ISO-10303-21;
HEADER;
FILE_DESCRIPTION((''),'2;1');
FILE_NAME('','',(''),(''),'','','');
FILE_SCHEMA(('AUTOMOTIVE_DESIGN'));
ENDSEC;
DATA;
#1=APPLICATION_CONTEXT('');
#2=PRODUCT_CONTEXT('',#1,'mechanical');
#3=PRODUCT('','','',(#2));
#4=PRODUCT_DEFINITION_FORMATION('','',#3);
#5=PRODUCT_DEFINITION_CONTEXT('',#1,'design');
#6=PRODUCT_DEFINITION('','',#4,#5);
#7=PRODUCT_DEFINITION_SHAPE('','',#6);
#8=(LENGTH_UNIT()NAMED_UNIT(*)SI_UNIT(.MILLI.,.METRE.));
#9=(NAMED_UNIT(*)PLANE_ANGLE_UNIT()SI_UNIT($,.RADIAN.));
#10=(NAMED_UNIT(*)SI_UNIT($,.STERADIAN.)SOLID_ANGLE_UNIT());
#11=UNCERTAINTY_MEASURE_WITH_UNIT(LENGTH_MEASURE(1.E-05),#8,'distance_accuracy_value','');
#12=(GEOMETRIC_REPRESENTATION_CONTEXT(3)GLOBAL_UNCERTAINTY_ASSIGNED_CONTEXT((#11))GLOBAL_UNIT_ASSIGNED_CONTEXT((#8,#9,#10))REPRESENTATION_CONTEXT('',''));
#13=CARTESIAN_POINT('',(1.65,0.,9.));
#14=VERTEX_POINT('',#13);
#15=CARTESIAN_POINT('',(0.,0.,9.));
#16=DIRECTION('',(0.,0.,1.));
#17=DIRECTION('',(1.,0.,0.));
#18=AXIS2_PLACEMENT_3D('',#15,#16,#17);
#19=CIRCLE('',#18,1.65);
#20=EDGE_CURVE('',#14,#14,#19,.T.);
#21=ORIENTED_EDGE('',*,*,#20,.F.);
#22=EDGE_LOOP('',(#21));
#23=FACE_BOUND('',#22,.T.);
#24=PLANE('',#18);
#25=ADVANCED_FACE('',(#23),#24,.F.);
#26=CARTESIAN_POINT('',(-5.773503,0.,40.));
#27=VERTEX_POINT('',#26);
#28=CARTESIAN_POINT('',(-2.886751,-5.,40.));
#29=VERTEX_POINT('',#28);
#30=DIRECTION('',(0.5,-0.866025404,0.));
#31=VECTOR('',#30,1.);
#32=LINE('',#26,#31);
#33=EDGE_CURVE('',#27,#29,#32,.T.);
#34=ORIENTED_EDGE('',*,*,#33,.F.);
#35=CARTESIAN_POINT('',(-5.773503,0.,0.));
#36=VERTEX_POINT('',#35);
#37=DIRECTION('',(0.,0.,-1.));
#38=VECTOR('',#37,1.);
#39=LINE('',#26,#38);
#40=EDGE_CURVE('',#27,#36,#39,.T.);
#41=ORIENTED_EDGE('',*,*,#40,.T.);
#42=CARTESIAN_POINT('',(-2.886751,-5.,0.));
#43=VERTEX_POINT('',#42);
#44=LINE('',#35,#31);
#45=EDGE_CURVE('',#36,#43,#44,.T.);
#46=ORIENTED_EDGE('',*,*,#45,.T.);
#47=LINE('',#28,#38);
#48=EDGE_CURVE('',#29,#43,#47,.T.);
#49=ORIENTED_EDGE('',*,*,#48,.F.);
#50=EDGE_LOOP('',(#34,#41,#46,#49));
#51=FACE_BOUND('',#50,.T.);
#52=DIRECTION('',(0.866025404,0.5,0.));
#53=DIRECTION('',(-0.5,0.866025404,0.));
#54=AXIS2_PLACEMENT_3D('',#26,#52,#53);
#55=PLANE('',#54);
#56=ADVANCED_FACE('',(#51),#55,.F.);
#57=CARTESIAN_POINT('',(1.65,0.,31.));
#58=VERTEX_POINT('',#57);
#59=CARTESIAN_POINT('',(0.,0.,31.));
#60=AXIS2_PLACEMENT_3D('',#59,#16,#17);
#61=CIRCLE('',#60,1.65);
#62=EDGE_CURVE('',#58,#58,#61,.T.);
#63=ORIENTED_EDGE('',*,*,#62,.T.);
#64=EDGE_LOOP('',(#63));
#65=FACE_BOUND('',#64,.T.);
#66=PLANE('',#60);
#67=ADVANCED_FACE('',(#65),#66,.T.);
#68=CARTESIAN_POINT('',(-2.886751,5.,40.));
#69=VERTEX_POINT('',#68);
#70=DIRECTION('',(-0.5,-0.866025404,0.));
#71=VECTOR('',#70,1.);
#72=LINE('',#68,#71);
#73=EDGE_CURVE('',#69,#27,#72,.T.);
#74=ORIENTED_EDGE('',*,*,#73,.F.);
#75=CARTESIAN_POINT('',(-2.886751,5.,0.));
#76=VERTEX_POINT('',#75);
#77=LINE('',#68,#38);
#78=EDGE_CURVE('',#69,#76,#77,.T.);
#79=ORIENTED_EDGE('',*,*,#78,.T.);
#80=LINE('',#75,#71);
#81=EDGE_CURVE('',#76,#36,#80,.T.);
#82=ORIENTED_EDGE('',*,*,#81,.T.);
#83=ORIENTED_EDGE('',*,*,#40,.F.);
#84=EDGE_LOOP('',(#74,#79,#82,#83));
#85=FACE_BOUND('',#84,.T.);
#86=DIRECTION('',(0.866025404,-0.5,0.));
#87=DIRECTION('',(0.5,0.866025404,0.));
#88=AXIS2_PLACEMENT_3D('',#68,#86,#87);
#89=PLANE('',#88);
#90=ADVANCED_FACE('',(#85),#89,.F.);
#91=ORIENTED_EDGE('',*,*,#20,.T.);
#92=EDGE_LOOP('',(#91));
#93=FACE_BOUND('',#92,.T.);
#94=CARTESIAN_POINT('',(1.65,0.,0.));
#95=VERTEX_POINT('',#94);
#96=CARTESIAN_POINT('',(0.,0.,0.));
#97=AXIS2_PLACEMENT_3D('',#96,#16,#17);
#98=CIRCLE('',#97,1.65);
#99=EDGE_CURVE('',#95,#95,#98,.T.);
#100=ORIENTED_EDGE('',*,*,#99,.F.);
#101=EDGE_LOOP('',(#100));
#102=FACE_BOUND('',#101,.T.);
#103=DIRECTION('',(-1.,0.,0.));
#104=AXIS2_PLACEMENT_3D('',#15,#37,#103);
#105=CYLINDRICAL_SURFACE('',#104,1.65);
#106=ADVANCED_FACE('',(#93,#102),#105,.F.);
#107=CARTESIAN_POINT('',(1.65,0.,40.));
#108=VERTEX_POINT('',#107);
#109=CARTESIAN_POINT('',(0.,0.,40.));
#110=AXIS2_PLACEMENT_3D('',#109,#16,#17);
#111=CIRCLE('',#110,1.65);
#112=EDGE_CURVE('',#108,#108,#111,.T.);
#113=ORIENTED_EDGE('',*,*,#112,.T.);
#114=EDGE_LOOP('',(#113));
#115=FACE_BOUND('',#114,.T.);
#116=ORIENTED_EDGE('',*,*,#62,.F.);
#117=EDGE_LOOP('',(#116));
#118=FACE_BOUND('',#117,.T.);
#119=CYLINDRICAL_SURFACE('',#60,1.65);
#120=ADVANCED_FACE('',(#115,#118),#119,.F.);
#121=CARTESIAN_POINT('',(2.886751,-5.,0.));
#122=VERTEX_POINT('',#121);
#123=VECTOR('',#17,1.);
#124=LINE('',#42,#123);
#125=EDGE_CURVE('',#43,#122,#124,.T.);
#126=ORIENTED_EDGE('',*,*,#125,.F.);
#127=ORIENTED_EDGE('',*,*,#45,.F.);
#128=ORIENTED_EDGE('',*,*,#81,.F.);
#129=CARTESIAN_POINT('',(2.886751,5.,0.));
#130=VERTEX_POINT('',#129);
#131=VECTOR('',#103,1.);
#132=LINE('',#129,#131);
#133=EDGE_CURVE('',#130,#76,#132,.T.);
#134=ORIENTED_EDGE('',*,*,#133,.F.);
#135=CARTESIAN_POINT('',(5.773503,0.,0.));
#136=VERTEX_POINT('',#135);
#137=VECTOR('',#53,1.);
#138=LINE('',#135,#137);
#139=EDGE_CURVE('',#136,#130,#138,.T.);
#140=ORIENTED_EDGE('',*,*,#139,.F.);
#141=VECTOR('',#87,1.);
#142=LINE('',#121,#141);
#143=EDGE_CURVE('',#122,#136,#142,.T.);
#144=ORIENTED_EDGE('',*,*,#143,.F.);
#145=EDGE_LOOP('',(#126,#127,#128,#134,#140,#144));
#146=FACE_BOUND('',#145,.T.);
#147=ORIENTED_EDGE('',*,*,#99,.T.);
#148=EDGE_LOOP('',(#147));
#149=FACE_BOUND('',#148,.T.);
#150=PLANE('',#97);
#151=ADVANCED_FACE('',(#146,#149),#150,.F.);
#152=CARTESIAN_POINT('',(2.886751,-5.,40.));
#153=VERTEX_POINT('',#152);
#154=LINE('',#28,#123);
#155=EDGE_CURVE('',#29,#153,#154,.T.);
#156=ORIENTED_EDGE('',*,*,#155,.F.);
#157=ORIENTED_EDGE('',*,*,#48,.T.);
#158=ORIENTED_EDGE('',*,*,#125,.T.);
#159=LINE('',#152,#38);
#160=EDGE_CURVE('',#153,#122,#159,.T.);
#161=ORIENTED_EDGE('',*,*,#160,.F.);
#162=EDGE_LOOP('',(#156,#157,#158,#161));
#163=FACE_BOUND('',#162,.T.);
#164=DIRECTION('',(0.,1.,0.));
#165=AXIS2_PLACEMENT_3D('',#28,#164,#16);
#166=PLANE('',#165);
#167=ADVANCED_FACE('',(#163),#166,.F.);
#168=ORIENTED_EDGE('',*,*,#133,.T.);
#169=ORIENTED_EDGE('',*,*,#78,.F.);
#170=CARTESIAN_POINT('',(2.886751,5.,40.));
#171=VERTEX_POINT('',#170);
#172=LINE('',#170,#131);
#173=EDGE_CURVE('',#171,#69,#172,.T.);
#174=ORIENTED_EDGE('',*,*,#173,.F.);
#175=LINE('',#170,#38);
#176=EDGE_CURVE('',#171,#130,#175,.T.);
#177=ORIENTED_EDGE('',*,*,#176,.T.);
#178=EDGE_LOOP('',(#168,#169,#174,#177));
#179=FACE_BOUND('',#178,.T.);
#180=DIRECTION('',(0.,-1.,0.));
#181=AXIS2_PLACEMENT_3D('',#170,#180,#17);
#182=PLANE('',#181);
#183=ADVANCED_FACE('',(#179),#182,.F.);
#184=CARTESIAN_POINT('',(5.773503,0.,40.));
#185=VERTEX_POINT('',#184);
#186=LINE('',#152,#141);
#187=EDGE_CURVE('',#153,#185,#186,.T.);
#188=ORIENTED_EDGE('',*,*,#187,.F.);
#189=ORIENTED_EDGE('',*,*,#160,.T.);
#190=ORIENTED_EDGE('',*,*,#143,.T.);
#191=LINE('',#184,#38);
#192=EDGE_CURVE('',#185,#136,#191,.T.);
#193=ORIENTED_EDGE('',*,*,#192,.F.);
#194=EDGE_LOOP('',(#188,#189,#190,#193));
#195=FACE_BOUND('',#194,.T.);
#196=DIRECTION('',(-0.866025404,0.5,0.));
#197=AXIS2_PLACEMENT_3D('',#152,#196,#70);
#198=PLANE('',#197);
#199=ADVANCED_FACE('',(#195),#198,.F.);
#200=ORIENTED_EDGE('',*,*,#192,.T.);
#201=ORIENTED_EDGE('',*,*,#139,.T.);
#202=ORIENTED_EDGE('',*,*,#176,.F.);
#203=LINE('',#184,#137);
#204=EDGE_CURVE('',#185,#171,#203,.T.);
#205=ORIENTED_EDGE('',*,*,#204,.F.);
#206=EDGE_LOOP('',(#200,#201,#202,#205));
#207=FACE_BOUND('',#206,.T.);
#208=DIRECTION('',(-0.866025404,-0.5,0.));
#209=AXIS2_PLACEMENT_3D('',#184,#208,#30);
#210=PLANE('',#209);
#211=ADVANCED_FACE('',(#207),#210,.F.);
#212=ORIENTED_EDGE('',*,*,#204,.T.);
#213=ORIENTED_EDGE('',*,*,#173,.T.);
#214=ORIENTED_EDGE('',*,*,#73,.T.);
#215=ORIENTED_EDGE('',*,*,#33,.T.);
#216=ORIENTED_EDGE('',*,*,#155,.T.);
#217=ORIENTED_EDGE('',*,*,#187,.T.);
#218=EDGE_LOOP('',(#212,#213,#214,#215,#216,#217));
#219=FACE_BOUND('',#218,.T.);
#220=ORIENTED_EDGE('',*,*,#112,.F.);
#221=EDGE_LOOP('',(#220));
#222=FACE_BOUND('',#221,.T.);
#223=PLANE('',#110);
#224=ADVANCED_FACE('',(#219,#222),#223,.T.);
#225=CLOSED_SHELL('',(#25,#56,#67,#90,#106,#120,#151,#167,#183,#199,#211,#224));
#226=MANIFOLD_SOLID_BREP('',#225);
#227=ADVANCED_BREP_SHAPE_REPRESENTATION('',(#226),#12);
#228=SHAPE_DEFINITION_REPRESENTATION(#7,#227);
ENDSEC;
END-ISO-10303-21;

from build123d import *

# Parameters (mm, degrees)
BOSS_EXTRU_1_DEPTH      = 40
ESQUISSE2_R             = 1.65
ENL_V_MAT_EXTRU_1_DEPTH = 9
ENL_V_START             = -31
ESQUISSE2_2_R           = 1.65
ENL_V_MAT_EXTRU_2_DEPTH = 9


with BuildPart() as part:
    # Esquisse1 → Boss.-Extru.1 (new body)
    with BuildSketch(Plane.XY):
        Polygon((5.773502692, 0), (2.886751346, 5), (-2.886751346, 5), (-5.773502692, 0), (-2.886751346, -5), (2.886751346, -5), align=None)
    extrude(amount=BOSS_EXTRU_1_DEPTH)

    # Esquisse2 → Enlèv. mat.-Extru.1 (cut)
    with BuildSketch(Plane.XY.offset(40)):
        Circle(ESQUISSE2_R)
    extrude(amount=-ENL_V_MAT_EXTRU_1_DEPTH, mode=Mode.SUBTRACT)

    # Esquisse2<2> → Enlèv. mat.-Extru.2 (cut)
    with BuildSketch(Plane.XY.offset(40).offset(ENL_V_START)):
        Circle(ESQUISSE2_2_R)
    extrude(amount=-ENL_V_MAT_EXTRU_2_DEPTH, mode=Mode.SUBTRACT)


solid = part.part
